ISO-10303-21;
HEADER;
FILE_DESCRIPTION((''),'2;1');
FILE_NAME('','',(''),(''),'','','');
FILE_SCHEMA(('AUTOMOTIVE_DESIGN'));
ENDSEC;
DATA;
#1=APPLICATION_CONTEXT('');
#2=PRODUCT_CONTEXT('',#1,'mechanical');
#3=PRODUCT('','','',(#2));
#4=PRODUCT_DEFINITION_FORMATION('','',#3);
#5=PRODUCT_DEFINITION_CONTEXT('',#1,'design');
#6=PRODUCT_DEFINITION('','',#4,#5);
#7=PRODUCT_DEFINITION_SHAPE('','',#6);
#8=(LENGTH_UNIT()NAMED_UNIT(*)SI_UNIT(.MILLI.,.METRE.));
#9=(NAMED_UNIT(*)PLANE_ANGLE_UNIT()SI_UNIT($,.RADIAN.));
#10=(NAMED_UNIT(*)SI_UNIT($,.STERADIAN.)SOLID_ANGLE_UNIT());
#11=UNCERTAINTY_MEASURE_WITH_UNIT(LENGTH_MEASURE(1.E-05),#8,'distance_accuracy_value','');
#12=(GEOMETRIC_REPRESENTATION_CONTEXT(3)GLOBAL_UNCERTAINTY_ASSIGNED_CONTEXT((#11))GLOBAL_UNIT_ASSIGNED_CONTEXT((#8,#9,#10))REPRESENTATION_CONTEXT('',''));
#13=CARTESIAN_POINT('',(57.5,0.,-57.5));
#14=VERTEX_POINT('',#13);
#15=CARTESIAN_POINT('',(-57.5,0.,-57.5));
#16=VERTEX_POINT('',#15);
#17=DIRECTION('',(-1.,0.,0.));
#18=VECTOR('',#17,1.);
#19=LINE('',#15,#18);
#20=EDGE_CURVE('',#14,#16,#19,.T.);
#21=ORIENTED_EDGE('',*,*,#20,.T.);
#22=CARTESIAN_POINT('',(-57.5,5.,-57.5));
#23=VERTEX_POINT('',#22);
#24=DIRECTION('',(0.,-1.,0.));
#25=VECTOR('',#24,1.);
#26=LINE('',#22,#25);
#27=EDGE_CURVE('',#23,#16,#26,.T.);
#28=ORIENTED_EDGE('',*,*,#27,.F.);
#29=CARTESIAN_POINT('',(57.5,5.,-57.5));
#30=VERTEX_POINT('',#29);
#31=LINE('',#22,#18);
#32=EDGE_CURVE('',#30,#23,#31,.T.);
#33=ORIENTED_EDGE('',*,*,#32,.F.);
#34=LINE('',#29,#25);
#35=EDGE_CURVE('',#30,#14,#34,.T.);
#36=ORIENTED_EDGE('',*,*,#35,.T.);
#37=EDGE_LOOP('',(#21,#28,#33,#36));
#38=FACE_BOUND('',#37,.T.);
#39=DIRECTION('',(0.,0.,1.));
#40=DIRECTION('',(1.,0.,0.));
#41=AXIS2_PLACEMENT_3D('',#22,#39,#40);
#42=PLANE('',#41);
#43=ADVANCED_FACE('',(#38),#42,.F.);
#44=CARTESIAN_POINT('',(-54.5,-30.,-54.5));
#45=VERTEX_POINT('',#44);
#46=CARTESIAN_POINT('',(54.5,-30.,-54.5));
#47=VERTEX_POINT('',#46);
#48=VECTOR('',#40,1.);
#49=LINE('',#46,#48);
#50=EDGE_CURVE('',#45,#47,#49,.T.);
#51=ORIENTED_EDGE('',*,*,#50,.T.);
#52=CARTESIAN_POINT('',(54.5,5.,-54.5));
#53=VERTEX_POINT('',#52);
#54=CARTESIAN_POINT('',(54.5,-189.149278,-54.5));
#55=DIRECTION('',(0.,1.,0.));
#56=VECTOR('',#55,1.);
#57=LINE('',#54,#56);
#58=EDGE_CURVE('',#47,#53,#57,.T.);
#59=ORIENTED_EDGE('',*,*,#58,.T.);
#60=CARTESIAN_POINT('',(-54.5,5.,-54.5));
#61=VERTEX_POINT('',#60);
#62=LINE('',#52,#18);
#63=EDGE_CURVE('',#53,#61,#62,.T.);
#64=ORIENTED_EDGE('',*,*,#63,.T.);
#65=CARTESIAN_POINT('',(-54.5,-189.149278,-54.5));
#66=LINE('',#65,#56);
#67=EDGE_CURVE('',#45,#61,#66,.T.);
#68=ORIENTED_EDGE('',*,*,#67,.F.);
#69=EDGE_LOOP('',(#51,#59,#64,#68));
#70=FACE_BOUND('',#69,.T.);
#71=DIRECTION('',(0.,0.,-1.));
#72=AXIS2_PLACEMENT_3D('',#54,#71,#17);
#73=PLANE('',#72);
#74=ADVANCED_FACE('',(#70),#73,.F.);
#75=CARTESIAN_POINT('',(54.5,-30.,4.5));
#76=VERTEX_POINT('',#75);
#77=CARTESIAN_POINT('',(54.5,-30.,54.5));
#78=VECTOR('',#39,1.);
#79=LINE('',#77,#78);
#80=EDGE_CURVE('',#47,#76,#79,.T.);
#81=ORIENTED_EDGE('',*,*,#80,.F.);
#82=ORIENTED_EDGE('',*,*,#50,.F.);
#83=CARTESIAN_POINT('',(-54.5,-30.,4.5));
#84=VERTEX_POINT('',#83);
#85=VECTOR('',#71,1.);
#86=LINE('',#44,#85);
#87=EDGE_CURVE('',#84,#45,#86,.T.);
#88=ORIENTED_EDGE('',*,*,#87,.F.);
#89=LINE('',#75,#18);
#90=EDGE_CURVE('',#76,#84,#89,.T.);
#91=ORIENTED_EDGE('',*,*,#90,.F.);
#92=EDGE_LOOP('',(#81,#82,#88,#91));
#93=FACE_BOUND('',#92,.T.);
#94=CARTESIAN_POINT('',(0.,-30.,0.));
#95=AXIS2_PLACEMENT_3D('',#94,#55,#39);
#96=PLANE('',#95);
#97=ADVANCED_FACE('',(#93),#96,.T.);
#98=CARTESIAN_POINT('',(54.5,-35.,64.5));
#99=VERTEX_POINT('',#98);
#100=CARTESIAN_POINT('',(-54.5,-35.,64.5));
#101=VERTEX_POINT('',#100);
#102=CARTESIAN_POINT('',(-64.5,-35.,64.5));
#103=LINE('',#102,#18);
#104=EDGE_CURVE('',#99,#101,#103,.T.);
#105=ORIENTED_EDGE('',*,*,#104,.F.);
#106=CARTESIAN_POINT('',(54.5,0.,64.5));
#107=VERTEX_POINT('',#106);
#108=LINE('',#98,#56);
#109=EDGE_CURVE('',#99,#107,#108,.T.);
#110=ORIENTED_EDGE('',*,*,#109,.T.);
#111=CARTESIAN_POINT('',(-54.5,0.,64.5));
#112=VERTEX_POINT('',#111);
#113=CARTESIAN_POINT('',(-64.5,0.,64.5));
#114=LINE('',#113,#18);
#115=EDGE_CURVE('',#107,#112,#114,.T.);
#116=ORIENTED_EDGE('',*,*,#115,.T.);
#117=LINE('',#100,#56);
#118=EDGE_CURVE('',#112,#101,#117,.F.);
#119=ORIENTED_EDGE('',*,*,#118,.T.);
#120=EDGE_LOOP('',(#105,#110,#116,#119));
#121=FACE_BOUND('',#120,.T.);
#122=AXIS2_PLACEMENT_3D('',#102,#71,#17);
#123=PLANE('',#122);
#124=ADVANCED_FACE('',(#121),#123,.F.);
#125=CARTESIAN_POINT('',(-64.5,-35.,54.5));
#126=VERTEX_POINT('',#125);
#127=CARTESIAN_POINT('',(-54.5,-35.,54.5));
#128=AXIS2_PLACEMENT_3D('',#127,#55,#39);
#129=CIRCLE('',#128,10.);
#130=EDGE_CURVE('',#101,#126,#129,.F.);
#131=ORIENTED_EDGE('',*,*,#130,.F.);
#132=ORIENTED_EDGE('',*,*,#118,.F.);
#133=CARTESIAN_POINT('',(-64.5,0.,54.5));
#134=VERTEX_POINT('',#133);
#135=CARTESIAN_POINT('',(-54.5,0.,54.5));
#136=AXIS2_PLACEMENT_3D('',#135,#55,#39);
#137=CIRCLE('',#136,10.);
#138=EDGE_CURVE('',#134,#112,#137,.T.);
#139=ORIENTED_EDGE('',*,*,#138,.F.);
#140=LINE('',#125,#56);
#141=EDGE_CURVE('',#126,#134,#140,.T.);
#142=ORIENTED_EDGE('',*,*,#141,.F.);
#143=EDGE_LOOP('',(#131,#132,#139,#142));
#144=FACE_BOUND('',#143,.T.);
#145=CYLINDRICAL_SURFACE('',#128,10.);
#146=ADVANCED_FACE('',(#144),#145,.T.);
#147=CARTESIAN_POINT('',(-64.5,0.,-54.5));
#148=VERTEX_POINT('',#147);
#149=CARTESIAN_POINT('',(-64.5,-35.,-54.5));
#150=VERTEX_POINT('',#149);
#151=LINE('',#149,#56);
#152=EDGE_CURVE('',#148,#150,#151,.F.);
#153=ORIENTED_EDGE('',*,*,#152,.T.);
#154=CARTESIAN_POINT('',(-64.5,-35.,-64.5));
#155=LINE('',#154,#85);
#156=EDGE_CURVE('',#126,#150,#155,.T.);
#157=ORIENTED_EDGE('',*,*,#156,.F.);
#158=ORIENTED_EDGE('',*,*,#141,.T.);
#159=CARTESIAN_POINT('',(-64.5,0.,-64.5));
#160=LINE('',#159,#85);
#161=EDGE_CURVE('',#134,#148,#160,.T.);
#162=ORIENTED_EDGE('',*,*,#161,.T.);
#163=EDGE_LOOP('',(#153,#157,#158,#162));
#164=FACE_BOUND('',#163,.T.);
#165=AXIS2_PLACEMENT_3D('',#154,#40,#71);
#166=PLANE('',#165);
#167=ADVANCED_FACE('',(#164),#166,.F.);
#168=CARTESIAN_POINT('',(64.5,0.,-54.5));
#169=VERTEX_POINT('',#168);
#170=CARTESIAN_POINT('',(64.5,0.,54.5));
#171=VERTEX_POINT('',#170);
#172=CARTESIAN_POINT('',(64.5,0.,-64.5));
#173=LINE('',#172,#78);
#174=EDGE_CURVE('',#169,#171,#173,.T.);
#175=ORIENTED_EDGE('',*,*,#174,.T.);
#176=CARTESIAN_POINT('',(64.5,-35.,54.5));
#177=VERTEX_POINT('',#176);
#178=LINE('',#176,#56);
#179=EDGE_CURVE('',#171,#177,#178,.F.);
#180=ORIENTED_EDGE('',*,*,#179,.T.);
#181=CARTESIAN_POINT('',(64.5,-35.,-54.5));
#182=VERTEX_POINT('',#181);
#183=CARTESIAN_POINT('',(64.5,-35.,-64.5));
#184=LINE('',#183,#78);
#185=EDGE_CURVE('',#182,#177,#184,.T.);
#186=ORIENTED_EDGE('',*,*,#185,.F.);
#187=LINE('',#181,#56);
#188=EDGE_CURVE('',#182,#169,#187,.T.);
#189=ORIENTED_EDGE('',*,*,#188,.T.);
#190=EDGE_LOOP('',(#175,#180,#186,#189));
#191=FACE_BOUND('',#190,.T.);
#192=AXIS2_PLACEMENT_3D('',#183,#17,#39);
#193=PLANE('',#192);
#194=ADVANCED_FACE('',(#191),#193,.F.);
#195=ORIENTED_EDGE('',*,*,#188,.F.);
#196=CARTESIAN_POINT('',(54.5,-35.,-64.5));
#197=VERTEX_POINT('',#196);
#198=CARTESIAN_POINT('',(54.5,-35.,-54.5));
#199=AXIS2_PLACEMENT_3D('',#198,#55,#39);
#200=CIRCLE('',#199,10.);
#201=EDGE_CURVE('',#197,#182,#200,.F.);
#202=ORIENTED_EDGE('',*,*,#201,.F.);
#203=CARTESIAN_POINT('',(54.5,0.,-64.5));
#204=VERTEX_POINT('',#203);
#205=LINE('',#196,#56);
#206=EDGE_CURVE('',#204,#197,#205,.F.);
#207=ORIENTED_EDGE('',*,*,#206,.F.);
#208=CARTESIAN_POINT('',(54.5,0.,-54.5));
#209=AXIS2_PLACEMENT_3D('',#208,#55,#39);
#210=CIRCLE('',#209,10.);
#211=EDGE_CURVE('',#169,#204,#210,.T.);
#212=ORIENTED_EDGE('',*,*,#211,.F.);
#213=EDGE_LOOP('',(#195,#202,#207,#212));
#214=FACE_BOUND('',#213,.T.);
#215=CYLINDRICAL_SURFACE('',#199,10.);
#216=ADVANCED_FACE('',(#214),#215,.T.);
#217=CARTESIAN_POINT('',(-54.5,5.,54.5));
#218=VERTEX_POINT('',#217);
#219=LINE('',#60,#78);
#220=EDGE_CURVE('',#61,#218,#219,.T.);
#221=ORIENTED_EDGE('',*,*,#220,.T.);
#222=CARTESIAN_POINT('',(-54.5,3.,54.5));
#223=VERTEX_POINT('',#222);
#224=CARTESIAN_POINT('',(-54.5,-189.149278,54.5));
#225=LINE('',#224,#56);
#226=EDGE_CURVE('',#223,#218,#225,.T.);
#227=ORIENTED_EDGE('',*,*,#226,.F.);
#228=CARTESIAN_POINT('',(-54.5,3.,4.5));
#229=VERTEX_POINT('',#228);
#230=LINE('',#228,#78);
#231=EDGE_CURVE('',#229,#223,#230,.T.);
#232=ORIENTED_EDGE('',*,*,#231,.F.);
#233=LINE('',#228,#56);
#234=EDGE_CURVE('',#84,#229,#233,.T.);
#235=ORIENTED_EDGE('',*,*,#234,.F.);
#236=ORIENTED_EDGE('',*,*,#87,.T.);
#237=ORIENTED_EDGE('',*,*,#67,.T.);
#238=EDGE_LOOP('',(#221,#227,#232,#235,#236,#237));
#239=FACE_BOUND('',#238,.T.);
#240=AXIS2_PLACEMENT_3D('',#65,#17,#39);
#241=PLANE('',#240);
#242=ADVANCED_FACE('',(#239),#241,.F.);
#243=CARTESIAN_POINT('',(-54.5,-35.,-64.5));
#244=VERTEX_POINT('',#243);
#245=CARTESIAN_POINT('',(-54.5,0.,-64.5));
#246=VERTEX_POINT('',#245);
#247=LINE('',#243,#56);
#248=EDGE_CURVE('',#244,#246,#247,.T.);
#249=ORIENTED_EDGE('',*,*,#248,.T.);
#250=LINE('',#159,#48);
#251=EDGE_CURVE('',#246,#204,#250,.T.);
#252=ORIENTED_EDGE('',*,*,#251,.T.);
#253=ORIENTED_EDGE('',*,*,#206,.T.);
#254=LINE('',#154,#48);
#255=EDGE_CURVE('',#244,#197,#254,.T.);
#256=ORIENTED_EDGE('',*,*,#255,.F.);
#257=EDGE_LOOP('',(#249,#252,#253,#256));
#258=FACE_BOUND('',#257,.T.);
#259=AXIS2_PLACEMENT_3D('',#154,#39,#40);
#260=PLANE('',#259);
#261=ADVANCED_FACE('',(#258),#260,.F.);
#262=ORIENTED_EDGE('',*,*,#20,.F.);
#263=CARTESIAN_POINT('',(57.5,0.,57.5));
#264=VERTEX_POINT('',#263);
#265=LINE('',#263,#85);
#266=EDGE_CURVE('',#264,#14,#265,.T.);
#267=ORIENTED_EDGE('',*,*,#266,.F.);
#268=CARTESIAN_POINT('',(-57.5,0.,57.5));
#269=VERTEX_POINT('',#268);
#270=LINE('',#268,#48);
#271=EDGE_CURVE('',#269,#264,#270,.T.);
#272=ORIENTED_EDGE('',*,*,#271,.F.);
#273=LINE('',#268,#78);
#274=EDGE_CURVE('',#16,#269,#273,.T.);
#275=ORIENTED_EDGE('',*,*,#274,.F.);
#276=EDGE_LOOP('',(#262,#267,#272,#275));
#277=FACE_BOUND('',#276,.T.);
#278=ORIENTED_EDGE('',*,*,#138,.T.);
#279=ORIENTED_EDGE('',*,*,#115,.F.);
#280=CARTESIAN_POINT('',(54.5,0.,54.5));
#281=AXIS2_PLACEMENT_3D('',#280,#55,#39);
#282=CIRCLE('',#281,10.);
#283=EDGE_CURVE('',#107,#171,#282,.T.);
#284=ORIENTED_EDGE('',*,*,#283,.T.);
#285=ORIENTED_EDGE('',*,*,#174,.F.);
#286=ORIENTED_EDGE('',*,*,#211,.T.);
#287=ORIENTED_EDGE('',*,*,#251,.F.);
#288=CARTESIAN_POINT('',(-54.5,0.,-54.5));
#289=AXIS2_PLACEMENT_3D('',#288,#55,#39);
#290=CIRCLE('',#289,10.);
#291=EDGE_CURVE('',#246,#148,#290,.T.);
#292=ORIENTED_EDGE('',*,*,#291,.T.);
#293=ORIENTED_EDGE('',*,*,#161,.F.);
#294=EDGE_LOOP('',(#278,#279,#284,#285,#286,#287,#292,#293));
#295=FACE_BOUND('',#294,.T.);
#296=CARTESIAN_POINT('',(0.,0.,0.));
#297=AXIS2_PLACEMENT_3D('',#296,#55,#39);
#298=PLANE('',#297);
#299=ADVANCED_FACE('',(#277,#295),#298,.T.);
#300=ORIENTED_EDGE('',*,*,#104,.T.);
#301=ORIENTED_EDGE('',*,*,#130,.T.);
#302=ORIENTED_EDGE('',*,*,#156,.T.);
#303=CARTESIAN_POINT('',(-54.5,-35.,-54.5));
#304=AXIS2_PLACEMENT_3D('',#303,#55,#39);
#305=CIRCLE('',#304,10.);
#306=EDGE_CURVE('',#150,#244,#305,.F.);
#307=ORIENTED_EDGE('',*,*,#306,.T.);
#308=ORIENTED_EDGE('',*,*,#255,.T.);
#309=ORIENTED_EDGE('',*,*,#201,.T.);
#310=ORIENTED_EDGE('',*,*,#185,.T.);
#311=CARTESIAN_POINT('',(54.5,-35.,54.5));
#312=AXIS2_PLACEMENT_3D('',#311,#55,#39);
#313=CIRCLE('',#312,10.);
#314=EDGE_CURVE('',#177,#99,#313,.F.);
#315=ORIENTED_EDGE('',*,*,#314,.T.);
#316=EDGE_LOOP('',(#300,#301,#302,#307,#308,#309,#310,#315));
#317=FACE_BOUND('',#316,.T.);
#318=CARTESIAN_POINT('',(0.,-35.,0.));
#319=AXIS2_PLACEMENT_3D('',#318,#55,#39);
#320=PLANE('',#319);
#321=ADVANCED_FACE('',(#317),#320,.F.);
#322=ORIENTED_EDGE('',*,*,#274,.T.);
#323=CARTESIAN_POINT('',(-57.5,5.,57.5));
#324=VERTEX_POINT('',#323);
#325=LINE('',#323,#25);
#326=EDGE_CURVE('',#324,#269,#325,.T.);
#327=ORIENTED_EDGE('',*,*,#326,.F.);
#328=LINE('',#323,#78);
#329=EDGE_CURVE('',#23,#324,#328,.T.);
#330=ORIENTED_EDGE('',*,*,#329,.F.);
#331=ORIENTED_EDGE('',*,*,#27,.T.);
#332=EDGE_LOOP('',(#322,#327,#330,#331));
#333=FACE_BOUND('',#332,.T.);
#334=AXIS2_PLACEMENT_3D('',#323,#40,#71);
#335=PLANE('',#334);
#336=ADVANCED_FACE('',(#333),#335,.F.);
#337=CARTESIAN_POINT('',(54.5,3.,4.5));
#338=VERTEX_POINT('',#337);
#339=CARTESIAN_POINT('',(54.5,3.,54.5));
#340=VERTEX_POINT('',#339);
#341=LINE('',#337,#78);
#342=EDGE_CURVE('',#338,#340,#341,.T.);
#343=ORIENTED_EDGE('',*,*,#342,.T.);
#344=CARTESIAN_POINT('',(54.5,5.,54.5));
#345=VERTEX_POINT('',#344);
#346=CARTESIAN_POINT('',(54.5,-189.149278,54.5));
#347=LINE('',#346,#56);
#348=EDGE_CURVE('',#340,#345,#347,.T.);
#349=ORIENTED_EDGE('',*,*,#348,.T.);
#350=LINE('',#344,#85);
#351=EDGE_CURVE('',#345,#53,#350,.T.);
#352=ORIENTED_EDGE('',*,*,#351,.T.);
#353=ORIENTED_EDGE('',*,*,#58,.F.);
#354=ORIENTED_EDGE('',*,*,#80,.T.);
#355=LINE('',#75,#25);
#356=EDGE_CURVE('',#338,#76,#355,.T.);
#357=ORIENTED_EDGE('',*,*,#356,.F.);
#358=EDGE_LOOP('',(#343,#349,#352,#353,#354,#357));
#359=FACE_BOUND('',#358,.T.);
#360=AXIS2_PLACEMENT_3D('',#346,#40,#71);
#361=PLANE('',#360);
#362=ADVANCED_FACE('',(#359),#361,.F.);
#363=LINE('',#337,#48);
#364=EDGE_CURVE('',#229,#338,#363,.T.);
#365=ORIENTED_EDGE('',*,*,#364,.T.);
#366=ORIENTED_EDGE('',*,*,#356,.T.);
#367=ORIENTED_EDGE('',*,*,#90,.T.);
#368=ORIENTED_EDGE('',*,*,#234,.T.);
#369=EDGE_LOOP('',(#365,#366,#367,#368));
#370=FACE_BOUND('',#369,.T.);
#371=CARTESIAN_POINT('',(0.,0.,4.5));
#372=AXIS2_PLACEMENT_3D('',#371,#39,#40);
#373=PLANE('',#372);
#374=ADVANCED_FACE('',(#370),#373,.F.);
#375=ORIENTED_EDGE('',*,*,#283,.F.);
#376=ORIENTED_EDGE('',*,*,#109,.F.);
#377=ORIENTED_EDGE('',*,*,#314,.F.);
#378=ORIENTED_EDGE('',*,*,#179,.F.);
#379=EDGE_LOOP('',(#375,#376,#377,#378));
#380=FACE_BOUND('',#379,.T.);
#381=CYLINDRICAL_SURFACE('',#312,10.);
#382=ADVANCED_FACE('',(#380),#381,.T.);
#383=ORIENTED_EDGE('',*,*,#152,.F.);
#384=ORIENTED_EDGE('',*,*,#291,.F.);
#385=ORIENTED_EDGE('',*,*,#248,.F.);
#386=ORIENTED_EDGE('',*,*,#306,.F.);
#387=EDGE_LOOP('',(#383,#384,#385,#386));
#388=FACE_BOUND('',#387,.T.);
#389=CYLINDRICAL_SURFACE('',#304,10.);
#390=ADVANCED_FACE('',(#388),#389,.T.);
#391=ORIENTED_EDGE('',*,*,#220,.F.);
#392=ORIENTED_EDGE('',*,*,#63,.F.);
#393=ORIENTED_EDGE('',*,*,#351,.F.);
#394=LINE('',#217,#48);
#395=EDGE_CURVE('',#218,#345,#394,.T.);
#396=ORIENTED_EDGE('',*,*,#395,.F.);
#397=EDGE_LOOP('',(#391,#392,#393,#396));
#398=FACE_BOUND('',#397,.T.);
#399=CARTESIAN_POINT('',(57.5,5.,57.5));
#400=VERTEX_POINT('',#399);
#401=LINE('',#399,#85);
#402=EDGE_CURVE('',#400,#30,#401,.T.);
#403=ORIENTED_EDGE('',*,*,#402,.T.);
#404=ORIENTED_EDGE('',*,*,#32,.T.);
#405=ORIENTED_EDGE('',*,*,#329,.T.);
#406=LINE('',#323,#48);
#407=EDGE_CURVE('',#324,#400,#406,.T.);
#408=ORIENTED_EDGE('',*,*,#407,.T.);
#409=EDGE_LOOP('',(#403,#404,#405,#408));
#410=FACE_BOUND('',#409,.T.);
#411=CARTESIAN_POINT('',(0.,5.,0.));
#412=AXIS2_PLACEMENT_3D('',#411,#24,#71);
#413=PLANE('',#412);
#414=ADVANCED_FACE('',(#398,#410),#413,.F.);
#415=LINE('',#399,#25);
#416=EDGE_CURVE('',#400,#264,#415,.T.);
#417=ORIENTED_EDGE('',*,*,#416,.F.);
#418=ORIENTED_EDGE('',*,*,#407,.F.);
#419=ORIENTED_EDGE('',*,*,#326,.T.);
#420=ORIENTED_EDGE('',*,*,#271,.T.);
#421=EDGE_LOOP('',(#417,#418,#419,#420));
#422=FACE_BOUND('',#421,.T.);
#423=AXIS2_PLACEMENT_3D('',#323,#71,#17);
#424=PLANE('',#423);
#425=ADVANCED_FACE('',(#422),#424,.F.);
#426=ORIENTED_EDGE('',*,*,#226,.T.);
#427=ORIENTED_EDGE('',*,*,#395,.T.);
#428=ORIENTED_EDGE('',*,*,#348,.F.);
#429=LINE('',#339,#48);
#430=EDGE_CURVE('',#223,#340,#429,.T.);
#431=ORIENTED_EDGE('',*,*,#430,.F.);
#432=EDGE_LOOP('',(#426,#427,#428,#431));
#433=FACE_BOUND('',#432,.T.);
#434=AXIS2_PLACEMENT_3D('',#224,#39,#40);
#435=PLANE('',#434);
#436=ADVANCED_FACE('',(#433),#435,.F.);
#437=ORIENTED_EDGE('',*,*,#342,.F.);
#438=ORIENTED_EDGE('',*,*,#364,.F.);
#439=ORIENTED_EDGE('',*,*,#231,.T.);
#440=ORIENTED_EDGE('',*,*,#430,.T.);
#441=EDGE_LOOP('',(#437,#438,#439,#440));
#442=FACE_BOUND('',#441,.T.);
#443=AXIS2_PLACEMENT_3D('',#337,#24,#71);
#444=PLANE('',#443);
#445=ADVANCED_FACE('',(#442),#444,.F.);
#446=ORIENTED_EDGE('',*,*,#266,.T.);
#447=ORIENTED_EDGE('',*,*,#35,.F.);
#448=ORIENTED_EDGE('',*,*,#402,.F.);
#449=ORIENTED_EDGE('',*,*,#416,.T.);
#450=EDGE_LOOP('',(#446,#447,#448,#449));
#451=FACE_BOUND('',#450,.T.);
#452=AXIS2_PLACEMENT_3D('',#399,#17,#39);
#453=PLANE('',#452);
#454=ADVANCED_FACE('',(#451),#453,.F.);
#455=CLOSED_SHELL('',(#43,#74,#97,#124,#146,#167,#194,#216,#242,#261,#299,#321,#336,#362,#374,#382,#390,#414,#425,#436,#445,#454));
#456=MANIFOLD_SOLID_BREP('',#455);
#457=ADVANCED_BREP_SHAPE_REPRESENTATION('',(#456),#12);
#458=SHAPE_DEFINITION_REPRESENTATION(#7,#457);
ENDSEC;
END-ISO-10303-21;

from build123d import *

# Parameters (mm, degrees)
SKETCH1_W           = 115
SKETCH1_H           = 115
BOSS_EXTRUDE2_DEPTH = 5
SKETCH3_W           = 129
SKETCH3_H           = 129
BOSS_EXTRUDE3_DEPTH = 35
SKETCH4_W           = 109
SKETCH4_H           = 109
CUT_EXTRUDE1_DEPTH  = 35
FILLET1_R           = 10
SKETCH6_W           = 109
SKETCH6_H           = 33
BOSS_EXTRUDE5_DEPTH = 50


with BuildPart() as part:
    # Sketch1 → Boss-Extrude2 (new body)
    with BuildSketch(Plane(origin=(0, 0, 0), x_dir=(1, 0, 0), z_dir=(0, 1, 0))):
        Rectangle(SKETCH1_W, SKETCH1_H)
    extrude(amount=BOSS_EXTRUDE2_DEPTH)

    # Sketch3 → Boss-Extrude3 (add)
    with BuildSketch(Plane.XZ):
        Rectangle(SKETCH3_W, SKETCH3_H)
    extrude(amount=BOSS_EXTRUDE3_DEPTH)

    # Sketch4 → Cut-Extrude1 (cut)
    with BuildSketch(Plane(origin=(0, 5, 0), x_dir=(1, 0, 0), z_dir=(0, 1, 0))):
        Rectangle(SKETCH4_W, SKETCH4_H)
    extrude(amount=-CUT_EXTRUDE1_DEPTH, mode=Mode.SUBTRACT)

    # Fillet1
    fillet1_edges = [part.edges().sort_by_distance(p)[0] for p in [
        (64.5, -17.5, -64.5),
        (64.5, -17.5, 64.5),
        (-64.5, -17.5, 64.5),
        (-64.5, -17.5, -64.5),
    ]]
    fillet(fillet1_edges, radius=FILLET1_R)

    # Sketch6 → Boss-Extrude5 (add)
    with BuildSketch(Plane(origin=(0, 0, 54.5), x_dir=(-1, 0, 0), z_dir=(0, 0, -1))):
        with Locations((0, -13.5)):
            Rectangle(SKETCH6_W, SKETCH6_H)
    extrude(amount=BOSS_EXTRUDE5_DEPTH)


solid = part.part
